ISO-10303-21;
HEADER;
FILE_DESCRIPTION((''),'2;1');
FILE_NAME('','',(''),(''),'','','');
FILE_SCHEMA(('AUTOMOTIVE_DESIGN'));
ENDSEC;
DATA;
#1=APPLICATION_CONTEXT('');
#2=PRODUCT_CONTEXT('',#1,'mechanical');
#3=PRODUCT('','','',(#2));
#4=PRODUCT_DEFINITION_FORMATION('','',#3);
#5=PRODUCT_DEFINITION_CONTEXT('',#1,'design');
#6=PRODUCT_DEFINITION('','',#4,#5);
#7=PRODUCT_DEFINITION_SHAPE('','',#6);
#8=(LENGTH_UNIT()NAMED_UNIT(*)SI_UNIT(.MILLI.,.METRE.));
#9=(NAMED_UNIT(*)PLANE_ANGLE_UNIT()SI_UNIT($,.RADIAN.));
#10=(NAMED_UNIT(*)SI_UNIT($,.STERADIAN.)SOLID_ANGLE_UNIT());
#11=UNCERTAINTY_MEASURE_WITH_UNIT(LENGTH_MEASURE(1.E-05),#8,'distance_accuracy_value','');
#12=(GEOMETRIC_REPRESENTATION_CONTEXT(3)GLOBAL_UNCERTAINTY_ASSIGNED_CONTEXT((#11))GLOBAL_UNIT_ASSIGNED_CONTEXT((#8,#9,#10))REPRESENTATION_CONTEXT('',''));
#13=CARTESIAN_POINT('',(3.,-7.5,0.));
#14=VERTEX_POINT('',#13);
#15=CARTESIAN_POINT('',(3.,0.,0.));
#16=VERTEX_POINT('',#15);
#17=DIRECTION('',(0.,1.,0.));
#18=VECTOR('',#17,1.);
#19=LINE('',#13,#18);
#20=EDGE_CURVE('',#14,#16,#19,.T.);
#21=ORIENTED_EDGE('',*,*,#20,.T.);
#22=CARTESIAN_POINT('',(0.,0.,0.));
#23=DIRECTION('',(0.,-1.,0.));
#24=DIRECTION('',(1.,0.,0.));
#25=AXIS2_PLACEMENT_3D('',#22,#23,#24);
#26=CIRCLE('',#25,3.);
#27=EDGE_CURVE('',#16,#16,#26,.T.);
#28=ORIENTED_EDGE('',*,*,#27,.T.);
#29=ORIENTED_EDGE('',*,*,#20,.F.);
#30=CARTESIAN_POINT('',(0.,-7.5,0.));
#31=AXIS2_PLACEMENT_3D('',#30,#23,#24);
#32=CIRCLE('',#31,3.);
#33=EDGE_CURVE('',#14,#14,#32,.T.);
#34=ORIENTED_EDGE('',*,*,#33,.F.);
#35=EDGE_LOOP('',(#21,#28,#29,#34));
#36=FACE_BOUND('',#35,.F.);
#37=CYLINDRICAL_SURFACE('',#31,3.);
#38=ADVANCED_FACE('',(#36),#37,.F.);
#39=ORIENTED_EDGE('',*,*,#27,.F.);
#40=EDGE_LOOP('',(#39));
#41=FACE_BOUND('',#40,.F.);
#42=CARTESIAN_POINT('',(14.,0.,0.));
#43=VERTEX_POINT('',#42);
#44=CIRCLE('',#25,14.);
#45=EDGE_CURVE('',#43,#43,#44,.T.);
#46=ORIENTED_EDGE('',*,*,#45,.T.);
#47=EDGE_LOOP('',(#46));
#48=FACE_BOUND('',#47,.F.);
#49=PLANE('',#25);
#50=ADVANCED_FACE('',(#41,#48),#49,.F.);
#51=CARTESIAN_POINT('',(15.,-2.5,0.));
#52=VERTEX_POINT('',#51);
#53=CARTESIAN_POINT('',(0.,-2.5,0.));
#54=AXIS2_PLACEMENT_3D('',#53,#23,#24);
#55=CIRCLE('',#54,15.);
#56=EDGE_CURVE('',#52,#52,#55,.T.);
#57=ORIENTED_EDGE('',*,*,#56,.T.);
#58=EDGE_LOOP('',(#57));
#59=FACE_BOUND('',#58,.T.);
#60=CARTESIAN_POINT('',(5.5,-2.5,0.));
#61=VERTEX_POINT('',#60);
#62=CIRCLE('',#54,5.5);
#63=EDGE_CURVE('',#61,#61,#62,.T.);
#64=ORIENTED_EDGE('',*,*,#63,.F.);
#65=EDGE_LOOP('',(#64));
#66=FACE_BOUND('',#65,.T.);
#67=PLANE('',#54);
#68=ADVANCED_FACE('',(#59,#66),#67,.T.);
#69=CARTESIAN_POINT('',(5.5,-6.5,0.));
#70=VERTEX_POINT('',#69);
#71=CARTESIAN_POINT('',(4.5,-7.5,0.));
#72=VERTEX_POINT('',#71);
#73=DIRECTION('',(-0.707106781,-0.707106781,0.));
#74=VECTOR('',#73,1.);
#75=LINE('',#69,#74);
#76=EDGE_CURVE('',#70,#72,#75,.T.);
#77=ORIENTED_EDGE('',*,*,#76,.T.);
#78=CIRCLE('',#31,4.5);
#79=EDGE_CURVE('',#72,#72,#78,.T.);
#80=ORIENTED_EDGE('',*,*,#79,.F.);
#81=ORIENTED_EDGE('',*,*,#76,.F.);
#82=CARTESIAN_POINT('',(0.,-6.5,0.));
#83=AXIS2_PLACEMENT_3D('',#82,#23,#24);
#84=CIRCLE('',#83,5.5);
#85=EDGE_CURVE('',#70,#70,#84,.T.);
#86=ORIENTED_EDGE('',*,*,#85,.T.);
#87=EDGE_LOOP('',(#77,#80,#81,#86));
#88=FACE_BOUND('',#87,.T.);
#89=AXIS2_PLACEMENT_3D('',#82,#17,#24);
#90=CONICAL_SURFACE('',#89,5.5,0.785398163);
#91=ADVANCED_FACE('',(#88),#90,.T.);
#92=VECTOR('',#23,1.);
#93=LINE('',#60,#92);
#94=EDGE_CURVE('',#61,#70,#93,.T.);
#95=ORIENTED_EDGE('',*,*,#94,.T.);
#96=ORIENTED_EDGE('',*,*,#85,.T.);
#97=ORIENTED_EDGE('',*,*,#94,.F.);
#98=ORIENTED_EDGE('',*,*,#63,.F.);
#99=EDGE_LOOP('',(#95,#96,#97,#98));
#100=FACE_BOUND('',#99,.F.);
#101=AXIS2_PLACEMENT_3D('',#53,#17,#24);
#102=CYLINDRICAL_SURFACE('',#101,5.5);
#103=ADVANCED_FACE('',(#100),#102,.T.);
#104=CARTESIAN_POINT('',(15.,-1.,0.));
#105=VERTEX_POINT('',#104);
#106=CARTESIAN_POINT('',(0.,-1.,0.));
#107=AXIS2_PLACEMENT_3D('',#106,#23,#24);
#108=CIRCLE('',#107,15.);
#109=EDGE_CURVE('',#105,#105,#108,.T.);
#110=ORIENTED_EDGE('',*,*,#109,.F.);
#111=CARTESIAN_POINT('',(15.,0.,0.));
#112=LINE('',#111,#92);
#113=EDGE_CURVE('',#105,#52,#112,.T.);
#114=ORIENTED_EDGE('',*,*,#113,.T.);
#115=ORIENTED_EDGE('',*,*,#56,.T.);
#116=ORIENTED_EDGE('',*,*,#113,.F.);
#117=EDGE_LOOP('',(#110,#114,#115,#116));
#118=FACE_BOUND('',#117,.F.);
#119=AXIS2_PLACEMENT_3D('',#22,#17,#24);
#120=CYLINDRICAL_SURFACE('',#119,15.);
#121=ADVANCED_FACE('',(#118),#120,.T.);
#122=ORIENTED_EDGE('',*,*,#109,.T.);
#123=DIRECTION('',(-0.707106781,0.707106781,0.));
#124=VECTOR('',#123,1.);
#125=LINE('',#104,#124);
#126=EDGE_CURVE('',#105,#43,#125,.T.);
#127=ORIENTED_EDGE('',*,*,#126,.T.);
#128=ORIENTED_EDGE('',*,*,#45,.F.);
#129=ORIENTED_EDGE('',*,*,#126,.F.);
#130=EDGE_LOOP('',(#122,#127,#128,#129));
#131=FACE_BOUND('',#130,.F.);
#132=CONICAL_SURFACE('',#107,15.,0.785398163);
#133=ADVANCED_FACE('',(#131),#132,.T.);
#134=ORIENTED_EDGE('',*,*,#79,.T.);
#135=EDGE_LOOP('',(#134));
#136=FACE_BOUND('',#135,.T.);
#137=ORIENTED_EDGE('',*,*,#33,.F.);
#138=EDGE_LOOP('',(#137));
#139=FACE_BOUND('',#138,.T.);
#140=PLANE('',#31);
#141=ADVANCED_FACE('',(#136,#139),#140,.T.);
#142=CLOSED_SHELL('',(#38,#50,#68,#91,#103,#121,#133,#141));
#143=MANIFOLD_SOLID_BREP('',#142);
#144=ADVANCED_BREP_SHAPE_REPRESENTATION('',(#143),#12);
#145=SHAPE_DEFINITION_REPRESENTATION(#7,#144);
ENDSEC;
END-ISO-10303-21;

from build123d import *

# Parameters (mm, degrees)
F0_R     = 15
F1_DEPTH = 2.5
F2_R     = 5.5
F3_DEPTH = 5
F4_R     = 3
F5_DEPTH = 25
F6_SIZE  = 1


with BuildPart() as f1:
    # F0 (on Front) → F1 (new body)
    with BuildSketch(Plane.XZ):
        Circle(F0_R)
    extrude(amount=F1_DEPTH)

    # F2 (on face) → F3 (join)
    with BuildSketch(Plane.XZ.offset(2.5)):
        Circle(F2_R)
    extrude(amount=F3_DEPTH)

    # F4 (on face) → F5 (cut)
    with BuildSketch(Plane.XZ.offset(7.5)):
        Circle(F4_R)
    extrude(amount=-F5_DEPTH, mode=Mode.SUBTRACT)

    # F6
    f6_edges = [f1.edges().sort_by_distance(p)[0] for p in [
        (-5.5, -7.5, 0),
        (-15, 0, 0),
    ]]
    chamfer(f6_edges, length=F6_SIZE)


solid = f1.part
